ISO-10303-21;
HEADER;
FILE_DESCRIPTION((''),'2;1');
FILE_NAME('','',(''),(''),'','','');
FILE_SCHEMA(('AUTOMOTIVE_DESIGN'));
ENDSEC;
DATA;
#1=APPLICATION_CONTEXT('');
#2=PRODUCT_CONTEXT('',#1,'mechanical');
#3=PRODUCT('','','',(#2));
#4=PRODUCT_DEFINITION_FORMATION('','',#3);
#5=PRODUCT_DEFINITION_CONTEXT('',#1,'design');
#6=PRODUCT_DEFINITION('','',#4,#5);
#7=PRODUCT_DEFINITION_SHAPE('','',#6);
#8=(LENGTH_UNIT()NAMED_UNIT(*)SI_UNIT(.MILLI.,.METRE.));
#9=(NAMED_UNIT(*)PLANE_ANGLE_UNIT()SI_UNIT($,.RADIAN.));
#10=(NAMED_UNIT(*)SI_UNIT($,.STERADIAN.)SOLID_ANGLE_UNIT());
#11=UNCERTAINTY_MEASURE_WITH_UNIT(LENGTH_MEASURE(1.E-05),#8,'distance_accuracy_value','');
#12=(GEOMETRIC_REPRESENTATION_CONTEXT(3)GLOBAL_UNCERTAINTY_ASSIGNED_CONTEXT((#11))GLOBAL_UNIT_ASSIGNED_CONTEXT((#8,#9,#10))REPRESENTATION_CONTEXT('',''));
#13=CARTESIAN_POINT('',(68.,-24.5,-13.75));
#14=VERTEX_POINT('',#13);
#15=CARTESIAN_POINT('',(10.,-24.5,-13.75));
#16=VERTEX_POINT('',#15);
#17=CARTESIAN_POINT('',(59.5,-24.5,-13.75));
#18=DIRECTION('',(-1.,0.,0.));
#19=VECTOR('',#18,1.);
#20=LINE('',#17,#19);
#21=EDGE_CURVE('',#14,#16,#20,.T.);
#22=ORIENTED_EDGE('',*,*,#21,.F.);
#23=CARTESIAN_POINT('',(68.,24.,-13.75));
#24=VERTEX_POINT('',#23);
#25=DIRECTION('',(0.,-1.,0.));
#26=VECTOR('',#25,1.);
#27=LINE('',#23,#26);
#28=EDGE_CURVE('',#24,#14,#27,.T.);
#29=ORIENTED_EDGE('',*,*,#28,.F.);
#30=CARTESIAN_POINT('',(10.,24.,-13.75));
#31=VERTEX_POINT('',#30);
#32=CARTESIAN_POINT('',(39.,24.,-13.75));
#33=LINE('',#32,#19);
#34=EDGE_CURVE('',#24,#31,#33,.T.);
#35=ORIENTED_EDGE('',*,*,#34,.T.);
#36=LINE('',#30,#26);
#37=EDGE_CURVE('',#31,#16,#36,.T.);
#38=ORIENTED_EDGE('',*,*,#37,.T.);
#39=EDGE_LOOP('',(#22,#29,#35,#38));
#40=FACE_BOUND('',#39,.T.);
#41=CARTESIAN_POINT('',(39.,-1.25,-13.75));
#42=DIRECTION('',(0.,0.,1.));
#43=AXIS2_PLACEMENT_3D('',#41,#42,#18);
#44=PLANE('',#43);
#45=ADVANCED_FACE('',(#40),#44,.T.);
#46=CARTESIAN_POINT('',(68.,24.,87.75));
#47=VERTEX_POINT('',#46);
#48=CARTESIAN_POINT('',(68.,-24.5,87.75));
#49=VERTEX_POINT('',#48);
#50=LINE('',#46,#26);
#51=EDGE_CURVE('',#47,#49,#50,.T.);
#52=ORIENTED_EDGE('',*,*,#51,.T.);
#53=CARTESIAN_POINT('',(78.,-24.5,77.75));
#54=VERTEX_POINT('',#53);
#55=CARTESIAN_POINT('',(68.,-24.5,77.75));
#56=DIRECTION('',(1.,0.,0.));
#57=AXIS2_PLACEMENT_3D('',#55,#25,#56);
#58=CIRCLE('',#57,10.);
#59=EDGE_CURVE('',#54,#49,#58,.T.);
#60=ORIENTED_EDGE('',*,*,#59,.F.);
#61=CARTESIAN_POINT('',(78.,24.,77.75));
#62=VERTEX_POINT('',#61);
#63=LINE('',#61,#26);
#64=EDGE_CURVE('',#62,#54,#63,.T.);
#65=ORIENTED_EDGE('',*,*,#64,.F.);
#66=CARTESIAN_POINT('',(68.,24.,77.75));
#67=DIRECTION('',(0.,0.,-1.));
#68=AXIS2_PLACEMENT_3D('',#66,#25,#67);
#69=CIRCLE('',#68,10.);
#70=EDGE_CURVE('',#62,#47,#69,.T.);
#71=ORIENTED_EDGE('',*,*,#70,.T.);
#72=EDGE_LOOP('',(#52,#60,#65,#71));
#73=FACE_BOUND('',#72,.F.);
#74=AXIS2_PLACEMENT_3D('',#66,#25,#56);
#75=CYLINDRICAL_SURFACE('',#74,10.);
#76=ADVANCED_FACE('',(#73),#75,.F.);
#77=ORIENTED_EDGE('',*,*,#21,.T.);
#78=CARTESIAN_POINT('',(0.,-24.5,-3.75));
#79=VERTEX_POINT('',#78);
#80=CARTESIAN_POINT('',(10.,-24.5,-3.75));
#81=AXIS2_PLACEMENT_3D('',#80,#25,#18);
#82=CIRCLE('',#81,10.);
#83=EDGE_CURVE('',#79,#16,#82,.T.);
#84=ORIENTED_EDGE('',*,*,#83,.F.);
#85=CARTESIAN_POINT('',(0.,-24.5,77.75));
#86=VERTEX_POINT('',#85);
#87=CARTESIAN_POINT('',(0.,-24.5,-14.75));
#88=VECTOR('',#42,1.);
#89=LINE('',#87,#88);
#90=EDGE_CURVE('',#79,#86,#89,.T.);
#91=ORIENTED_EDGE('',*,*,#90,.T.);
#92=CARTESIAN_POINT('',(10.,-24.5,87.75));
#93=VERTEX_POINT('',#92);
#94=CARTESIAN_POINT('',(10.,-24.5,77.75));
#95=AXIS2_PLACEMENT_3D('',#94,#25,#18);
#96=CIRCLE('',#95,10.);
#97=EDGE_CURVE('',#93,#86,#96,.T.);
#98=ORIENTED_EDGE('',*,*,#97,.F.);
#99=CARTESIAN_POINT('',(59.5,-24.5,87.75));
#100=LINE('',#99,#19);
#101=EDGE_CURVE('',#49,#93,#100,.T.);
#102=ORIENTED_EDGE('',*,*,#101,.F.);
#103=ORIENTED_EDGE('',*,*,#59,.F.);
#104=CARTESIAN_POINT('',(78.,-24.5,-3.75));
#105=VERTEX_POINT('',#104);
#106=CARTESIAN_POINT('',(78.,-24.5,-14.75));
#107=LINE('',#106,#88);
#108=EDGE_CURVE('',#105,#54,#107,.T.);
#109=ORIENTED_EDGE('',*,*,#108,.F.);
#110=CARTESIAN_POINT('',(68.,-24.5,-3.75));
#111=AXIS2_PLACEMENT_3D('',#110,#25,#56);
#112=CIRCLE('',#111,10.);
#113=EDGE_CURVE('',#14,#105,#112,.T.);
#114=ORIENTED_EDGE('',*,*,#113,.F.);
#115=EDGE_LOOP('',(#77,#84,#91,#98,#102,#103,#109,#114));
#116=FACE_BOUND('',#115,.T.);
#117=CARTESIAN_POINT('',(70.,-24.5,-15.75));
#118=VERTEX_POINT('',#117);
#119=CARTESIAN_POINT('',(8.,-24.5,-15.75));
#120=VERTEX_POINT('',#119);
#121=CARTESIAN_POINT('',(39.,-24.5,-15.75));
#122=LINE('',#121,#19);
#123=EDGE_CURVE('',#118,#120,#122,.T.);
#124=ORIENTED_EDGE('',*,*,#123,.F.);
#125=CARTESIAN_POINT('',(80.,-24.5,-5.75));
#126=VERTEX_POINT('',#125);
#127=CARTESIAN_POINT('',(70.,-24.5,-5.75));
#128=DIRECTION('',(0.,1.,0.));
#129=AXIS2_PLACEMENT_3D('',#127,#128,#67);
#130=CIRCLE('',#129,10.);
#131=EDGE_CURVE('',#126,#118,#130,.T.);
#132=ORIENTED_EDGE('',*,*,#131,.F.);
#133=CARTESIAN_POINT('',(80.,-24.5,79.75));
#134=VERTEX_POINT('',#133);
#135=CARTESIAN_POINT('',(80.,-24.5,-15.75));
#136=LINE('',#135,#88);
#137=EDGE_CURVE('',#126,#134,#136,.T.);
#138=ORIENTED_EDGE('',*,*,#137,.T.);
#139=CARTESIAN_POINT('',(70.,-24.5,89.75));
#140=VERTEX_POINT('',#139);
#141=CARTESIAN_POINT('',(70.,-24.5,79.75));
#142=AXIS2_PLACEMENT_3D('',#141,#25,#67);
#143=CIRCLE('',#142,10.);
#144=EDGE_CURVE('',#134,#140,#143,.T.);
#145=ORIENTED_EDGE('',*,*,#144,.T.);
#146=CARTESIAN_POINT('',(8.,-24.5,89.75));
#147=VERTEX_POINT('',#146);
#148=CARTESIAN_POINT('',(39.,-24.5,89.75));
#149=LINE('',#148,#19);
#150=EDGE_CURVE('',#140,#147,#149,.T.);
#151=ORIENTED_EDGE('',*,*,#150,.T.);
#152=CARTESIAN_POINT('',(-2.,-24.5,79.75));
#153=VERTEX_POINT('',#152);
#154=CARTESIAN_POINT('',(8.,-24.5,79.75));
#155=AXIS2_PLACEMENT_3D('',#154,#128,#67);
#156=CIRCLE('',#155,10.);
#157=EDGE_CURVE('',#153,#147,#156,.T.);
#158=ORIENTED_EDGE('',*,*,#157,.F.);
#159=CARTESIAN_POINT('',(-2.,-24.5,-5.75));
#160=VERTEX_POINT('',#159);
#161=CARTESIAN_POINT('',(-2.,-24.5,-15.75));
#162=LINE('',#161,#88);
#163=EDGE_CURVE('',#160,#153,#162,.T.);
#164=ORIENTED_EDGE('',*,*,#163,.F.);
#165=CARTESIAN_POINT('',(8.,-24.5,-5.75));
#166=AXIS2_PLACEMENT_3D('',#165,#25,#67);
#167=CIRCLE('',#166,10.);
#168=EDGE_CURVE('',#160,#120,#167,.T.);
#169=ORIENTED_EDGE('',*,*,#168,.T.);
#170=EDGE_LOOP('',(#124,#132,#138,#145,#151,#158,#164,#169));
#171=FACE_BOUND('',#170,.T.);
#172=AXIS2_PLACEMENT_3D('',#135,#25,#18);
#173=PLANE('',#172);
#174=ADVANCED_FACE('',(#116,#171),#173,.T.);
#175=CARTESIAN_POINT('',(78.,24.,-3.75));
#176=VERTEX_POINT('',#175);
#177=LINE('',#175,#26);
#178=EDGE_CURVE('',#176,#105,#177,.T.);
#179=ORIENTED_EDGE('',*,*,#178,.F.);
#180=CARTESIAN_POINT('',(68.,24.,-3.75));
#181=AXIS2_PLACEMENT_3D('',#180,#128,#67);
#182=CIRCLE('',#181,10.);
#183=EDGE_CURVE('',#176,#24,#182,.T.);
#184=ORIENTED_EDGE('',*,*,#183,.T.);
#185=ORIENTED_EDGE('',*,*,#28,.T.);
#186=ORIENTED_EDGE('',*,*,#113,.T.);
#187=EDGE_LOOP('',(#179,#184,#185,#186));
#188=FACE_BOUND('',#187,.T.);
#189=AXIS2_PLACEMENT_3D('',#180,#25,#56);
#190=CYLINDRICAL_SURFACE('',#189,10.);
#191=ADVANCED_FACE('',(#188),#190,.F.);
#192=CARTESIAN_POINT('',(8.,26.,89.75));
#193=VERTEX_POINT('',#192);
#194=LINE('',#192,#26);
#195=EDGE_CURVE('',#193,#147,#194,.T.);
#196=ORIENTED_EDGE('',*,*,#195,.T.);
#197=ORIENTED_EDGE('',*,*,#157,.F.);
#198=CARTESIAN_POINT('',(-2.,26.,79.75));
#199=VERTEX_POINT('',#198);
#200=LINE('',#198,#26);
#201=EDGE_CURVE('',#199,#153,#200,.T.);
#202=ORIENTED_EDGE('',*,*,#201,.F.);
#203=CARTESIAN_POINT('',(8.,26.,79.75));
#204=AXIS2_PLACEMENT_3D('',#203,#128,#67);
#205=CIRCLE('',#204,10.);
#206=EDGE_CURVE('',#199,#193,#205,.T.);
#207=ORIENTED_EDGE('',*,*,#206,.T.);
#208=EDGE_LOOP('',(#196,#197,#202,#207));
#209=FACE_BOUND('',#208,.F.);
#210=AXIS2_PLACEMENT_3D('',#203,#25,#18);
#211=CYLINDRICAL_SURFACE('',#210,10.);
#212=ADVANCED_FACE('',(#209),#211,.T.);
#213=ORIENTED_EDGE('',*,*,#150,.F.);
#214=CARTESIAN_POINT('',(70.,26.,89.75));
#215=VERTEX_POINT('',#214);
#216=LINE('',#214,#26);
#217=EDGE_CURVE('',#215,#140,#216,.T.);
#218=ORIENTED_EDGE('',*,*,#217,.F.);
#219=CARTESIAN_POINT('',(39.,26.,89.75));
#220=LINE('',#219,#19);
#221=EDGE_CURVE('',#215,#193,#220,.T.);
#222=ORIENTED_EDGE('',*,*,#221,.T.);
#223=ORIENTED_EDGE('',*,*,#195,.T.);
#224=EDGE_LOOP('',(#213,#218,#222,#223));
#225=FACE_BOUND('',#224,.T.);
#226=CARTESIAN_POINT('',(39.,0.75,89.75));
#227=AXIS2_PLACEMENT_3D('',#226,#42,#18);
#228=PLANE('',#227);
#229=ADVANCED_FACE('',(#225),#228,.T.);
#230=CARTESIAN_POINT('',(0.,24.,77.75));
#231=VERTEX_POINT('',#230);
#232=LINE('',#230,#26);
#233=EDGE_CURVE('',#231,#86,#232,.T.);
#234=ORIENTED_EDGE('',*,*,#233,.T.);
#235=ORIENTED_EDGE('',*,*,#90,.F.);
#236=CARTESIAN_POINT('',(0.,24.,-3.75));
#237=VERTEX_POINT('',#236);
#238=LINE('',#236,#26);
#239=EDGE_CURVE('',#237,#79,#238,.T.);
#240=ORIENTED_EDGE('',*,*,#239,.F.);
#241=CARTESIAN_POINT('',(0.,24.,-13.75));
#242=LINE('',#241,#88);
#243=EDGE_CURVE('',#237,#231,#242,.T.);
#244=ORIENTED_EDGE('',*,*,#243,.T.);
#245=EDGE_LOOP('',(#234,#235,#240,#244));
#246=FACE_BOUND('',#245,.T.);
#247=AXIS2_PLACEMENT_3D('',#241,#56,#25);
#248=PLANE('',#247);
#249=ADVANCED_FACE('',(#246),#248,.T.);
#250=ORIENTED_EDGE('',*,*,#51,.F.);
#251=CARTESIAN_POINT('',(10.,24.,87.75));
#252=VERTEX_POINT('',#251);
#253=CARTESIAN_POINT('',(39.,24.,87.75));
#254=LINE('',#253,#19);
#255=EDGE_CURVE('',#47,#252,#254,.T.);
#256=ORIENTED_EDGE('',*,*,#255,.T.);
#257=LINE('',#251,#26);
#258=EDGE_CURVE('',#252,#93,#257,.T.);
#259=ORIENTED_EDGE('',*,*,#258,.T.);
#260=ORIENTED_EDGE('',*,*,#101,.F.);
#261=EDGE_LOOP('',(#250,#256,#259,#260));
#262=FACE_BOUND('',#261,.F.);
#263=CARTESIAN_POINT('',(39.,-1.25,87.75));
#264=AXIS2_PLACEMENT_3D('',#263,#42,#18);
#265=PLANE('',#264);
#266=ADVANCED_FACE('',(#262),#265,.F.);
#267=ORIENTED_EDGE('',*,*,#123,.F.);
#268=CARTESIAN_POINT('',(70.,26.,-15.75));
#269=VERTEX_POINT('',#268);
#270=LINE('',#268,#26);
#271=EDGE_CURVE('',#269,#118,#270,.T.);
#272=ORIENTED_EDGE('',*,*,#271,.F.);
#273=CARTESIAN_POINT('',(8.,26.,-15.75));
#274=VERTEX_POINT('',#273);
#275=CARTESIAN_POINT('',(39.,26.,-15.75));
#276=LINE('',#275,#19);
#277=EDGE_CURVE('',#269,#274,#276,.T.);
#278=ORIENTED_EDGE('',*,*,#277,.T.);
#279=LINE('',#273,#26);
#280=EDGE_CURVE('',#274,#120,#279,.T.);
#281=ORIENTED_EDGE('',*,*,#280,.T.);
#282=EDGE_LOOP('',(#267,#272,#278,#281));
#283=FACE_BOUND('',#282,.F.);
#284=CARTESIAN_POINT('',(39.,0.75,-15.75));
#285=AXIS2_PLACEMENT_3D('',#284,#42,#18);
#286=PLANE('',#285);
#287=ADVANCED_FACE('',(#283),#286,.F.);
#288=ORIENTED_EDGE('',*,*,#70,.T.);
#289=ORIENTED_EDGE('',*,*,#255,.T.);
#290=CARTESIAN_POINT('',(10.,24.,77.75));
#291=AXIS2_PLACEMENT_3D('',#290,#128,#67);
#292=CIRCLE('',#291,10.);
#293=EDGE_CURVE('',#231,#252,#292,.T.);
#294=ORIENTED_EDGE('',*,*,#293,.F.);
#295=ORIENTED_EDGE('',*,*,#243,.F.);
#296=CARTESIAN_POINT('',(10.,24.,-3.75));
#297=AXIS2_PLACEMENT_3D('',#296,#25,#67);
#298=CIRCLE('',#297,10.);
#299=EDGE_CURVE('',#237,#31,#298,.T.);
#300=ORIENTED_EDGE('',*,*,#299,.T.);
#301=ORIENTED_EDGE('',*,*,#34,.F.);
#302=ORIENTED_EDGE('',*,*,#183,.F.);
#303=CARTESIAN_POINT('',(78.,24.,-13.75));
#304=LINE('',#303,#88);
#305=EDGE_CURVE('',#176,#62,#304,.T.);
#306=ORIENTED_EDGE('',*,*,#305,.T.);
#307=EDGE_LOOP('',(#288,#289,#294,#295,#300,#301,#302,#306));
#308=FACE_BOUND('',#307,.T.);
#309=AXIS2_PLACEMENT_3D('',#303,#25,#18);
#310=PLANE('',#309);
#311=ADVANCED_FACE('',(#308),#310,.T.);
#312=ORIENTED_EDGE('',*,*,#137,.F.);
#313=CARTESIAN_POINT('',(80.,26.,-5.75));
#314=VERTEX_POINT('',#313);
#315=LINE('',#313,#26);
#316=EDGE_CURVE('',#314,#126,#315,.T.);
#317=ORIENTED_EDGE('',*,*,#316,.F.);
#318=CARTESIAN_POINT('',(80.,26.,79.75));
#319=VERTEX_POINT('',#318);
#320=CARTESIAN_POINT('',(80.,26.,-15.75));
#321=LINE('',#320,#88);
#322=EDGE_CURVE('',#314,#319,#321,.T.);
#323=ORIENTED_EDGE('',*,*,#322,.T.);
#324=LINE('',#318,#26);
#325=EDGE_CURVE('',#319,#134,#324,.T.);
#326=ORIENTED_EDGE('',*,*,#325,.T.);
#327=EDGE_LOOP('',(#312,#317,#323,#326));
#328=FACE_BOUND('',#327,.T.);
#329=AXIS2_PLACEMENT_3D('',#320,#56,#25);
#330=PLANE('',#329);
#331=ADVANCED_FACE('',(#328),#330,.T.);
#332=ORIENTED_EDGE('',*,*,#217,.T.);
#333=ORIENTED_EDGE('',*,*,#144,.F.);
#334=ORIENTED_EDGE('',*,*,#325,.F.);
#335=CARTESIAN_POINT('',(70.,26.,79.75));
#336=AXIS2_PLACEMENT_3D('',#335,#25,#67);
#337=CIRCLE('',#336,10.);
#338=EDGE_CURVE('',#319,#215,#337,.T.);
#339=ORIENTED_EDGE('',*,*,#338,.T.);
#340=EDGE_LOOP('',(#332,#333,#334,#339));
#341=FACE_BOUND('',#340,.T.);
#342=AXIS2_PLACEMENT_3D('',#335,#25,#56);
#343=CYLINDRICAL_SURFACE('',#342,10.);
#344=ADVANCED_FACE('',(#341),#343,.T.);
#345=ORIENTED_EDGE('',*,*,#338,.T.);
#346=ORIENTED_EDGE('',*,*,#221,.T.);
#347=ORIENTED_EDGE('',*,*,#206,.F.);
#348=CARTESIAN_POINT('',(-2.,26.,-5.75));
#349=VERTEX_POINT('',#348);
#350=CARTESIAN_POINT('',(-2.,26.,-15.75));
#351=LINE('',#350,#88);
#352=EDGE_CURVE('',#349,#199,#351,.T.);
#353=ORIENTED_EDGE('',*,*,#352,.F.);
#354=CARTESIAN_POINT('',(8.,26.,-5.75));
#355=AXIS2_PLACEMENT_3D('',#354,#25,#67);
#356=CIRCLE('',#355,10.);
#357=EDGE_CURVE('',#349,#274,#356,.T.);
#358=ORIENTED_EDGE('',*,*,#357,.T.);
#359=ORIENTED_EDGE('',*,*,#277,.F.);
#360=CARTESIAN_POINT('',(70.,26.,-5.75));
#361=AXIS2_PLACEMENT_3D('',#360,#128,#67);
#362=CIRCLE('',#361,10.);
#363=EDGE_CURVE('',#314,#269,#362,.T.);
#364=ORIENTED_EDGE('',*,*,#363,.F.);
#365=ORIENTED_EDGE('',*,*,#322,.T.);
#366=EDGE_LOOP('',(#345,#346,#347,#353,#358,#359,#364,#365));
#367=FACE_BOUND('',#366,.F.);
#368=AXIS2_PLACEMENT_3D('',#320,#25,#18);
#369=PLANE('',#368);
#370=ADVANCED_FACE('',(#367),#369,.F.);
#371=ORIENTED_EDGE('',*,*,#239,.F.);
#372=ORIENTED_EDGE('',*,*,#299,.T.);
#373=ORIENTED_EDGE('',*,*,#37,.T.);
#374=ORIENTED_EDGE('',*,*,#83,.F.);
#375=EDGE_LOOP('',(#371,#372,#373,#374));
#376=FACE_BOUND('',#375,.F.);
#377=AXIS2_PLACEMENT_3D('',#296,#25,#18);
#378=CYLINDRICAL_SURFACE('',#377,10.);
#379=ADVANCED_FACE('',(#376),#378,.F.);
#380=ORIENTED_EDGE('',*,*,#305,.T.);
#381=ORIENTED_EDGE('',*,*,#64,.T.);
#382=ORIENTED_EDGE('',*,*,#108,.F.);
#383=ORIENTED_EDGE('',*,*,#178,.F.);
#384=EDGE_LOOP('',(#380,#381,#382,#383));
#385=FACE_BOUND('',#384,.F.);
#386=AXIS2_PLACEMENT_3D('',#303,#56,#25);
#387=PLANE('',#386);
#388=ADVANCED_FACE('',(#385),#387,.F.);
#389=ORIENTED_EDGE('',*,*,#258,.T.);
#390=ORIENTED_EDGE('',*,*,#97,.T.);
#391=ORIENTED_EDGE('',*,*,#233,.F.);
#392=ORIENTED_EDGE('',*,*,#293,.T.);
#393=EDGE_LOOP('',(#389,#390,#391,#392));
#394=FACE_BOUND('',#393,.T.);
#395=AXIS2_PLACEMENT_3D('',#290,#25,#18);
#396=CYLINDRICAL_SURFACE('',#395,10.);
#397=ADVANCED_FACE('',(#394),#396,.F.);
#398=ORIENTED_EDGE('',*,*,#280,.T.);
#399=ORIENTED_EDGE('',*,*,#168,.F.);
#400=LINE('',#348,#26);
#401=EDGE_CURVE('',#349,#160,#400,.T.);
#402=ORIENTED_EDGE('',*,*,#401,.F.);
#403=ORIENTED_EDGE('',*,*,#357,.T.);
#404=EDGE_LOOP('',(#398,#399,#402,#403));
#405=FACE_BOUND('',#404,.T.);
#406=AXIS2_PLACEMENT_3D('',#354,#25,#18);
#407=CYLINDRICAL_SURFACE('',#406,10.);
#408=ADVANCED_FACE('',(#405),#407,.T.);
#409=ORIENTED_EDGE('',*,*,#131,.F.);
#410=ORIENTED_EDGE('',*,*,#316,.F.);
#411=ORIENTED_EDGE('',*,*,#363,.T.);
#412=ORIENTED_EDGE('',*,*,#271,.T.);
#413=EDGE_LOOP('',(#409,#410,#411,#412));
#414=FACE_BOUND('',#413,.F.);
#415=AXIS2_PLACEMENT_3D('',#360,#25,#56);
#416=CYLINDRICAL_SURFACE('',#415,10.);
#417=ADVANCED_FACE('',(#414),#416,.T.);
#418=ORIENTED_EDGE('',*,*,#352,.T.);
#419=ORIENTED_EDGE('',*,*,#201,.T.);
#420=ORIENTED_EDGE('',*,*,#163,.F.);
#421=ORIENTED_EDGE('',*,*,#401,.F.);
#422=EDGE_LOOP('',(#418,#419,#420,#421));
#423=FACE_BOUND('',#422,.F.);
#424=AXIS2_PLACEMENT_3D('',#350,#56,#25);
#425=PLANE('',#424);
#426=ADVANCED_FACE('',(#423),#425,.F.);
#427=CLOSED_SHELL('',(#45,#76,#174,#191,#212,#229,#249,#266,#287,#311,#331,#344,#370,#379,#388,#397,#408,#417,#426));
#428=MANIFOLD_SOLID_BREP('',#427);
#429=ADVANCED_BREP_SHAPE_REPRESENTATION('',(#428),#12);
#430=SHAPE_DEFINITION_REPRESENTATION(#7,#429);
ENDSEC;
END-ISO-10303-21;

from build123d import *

# Parameters (mm, degrees)
BOX016_W     = 78
BOX016_H     = 50.5
BOX016_DEPTH = 101.5
FILLET018_R  = 10
BOX015_W     = 82
BOX015_H     = 50.5
BOX015_DEPTH = 105.5
FILLET015_R  = 10


with BuildPart() as innerboxcut001:
    # Box016 → Box016 (new body)
    with BuildSketch(Plane(origin=(78, 24, -13.75), x_dir=(-1, 0, 0), z_dir=(0, 0, 1))):
        with Locations((39, 25.25)):
            Rectangle(BOX016_W, BOX016_H)
    extrude(amount=BOX016_DEPTH)

    # Fillet018
    fillet018_edges = [innerboxcut001.edges().sort_by_distance(p)[0] for p in [
        (78, -1.25, 87.75),
        (78, -1.25, -13.75),
        (0, -1.25, 87.75),
        (0, -1.25, -13.75),
    ]]
    fillet(fillet018_edges, radius=FILLET018_R)


with BuildPart() as outershellbottom:
    # Box015 → Box015 (new body)
    with BuildSketch(Plane(origin=(80, 26, -15.75), x_dir=(-1, 0, 0), z_dir=(0, 0, 1))):
        with Locations((41, 25.25)):
            Rectangle(BOX015_W, BOX015_H)
    extrude(amount=BOX015_DEPTH)

    # Fillet015
    fillet015_edges = [outershellbottom.edges().sort_by_distance(p)[0] for p in [
        (80, 0.75, 89.75),
        (80, 0.75, -15.75),
        (-2, 0.75, 89.75),
        (-2, 0.75, -15.75),
    ]]
    fillet(fillet015_edges, radius=FILLET015_R)

    # Cut006: cut innerBoxCut001
    add(innerboxcut001.part, mode=Mode.SUBTRACT)


solid = outershellbottom.part
